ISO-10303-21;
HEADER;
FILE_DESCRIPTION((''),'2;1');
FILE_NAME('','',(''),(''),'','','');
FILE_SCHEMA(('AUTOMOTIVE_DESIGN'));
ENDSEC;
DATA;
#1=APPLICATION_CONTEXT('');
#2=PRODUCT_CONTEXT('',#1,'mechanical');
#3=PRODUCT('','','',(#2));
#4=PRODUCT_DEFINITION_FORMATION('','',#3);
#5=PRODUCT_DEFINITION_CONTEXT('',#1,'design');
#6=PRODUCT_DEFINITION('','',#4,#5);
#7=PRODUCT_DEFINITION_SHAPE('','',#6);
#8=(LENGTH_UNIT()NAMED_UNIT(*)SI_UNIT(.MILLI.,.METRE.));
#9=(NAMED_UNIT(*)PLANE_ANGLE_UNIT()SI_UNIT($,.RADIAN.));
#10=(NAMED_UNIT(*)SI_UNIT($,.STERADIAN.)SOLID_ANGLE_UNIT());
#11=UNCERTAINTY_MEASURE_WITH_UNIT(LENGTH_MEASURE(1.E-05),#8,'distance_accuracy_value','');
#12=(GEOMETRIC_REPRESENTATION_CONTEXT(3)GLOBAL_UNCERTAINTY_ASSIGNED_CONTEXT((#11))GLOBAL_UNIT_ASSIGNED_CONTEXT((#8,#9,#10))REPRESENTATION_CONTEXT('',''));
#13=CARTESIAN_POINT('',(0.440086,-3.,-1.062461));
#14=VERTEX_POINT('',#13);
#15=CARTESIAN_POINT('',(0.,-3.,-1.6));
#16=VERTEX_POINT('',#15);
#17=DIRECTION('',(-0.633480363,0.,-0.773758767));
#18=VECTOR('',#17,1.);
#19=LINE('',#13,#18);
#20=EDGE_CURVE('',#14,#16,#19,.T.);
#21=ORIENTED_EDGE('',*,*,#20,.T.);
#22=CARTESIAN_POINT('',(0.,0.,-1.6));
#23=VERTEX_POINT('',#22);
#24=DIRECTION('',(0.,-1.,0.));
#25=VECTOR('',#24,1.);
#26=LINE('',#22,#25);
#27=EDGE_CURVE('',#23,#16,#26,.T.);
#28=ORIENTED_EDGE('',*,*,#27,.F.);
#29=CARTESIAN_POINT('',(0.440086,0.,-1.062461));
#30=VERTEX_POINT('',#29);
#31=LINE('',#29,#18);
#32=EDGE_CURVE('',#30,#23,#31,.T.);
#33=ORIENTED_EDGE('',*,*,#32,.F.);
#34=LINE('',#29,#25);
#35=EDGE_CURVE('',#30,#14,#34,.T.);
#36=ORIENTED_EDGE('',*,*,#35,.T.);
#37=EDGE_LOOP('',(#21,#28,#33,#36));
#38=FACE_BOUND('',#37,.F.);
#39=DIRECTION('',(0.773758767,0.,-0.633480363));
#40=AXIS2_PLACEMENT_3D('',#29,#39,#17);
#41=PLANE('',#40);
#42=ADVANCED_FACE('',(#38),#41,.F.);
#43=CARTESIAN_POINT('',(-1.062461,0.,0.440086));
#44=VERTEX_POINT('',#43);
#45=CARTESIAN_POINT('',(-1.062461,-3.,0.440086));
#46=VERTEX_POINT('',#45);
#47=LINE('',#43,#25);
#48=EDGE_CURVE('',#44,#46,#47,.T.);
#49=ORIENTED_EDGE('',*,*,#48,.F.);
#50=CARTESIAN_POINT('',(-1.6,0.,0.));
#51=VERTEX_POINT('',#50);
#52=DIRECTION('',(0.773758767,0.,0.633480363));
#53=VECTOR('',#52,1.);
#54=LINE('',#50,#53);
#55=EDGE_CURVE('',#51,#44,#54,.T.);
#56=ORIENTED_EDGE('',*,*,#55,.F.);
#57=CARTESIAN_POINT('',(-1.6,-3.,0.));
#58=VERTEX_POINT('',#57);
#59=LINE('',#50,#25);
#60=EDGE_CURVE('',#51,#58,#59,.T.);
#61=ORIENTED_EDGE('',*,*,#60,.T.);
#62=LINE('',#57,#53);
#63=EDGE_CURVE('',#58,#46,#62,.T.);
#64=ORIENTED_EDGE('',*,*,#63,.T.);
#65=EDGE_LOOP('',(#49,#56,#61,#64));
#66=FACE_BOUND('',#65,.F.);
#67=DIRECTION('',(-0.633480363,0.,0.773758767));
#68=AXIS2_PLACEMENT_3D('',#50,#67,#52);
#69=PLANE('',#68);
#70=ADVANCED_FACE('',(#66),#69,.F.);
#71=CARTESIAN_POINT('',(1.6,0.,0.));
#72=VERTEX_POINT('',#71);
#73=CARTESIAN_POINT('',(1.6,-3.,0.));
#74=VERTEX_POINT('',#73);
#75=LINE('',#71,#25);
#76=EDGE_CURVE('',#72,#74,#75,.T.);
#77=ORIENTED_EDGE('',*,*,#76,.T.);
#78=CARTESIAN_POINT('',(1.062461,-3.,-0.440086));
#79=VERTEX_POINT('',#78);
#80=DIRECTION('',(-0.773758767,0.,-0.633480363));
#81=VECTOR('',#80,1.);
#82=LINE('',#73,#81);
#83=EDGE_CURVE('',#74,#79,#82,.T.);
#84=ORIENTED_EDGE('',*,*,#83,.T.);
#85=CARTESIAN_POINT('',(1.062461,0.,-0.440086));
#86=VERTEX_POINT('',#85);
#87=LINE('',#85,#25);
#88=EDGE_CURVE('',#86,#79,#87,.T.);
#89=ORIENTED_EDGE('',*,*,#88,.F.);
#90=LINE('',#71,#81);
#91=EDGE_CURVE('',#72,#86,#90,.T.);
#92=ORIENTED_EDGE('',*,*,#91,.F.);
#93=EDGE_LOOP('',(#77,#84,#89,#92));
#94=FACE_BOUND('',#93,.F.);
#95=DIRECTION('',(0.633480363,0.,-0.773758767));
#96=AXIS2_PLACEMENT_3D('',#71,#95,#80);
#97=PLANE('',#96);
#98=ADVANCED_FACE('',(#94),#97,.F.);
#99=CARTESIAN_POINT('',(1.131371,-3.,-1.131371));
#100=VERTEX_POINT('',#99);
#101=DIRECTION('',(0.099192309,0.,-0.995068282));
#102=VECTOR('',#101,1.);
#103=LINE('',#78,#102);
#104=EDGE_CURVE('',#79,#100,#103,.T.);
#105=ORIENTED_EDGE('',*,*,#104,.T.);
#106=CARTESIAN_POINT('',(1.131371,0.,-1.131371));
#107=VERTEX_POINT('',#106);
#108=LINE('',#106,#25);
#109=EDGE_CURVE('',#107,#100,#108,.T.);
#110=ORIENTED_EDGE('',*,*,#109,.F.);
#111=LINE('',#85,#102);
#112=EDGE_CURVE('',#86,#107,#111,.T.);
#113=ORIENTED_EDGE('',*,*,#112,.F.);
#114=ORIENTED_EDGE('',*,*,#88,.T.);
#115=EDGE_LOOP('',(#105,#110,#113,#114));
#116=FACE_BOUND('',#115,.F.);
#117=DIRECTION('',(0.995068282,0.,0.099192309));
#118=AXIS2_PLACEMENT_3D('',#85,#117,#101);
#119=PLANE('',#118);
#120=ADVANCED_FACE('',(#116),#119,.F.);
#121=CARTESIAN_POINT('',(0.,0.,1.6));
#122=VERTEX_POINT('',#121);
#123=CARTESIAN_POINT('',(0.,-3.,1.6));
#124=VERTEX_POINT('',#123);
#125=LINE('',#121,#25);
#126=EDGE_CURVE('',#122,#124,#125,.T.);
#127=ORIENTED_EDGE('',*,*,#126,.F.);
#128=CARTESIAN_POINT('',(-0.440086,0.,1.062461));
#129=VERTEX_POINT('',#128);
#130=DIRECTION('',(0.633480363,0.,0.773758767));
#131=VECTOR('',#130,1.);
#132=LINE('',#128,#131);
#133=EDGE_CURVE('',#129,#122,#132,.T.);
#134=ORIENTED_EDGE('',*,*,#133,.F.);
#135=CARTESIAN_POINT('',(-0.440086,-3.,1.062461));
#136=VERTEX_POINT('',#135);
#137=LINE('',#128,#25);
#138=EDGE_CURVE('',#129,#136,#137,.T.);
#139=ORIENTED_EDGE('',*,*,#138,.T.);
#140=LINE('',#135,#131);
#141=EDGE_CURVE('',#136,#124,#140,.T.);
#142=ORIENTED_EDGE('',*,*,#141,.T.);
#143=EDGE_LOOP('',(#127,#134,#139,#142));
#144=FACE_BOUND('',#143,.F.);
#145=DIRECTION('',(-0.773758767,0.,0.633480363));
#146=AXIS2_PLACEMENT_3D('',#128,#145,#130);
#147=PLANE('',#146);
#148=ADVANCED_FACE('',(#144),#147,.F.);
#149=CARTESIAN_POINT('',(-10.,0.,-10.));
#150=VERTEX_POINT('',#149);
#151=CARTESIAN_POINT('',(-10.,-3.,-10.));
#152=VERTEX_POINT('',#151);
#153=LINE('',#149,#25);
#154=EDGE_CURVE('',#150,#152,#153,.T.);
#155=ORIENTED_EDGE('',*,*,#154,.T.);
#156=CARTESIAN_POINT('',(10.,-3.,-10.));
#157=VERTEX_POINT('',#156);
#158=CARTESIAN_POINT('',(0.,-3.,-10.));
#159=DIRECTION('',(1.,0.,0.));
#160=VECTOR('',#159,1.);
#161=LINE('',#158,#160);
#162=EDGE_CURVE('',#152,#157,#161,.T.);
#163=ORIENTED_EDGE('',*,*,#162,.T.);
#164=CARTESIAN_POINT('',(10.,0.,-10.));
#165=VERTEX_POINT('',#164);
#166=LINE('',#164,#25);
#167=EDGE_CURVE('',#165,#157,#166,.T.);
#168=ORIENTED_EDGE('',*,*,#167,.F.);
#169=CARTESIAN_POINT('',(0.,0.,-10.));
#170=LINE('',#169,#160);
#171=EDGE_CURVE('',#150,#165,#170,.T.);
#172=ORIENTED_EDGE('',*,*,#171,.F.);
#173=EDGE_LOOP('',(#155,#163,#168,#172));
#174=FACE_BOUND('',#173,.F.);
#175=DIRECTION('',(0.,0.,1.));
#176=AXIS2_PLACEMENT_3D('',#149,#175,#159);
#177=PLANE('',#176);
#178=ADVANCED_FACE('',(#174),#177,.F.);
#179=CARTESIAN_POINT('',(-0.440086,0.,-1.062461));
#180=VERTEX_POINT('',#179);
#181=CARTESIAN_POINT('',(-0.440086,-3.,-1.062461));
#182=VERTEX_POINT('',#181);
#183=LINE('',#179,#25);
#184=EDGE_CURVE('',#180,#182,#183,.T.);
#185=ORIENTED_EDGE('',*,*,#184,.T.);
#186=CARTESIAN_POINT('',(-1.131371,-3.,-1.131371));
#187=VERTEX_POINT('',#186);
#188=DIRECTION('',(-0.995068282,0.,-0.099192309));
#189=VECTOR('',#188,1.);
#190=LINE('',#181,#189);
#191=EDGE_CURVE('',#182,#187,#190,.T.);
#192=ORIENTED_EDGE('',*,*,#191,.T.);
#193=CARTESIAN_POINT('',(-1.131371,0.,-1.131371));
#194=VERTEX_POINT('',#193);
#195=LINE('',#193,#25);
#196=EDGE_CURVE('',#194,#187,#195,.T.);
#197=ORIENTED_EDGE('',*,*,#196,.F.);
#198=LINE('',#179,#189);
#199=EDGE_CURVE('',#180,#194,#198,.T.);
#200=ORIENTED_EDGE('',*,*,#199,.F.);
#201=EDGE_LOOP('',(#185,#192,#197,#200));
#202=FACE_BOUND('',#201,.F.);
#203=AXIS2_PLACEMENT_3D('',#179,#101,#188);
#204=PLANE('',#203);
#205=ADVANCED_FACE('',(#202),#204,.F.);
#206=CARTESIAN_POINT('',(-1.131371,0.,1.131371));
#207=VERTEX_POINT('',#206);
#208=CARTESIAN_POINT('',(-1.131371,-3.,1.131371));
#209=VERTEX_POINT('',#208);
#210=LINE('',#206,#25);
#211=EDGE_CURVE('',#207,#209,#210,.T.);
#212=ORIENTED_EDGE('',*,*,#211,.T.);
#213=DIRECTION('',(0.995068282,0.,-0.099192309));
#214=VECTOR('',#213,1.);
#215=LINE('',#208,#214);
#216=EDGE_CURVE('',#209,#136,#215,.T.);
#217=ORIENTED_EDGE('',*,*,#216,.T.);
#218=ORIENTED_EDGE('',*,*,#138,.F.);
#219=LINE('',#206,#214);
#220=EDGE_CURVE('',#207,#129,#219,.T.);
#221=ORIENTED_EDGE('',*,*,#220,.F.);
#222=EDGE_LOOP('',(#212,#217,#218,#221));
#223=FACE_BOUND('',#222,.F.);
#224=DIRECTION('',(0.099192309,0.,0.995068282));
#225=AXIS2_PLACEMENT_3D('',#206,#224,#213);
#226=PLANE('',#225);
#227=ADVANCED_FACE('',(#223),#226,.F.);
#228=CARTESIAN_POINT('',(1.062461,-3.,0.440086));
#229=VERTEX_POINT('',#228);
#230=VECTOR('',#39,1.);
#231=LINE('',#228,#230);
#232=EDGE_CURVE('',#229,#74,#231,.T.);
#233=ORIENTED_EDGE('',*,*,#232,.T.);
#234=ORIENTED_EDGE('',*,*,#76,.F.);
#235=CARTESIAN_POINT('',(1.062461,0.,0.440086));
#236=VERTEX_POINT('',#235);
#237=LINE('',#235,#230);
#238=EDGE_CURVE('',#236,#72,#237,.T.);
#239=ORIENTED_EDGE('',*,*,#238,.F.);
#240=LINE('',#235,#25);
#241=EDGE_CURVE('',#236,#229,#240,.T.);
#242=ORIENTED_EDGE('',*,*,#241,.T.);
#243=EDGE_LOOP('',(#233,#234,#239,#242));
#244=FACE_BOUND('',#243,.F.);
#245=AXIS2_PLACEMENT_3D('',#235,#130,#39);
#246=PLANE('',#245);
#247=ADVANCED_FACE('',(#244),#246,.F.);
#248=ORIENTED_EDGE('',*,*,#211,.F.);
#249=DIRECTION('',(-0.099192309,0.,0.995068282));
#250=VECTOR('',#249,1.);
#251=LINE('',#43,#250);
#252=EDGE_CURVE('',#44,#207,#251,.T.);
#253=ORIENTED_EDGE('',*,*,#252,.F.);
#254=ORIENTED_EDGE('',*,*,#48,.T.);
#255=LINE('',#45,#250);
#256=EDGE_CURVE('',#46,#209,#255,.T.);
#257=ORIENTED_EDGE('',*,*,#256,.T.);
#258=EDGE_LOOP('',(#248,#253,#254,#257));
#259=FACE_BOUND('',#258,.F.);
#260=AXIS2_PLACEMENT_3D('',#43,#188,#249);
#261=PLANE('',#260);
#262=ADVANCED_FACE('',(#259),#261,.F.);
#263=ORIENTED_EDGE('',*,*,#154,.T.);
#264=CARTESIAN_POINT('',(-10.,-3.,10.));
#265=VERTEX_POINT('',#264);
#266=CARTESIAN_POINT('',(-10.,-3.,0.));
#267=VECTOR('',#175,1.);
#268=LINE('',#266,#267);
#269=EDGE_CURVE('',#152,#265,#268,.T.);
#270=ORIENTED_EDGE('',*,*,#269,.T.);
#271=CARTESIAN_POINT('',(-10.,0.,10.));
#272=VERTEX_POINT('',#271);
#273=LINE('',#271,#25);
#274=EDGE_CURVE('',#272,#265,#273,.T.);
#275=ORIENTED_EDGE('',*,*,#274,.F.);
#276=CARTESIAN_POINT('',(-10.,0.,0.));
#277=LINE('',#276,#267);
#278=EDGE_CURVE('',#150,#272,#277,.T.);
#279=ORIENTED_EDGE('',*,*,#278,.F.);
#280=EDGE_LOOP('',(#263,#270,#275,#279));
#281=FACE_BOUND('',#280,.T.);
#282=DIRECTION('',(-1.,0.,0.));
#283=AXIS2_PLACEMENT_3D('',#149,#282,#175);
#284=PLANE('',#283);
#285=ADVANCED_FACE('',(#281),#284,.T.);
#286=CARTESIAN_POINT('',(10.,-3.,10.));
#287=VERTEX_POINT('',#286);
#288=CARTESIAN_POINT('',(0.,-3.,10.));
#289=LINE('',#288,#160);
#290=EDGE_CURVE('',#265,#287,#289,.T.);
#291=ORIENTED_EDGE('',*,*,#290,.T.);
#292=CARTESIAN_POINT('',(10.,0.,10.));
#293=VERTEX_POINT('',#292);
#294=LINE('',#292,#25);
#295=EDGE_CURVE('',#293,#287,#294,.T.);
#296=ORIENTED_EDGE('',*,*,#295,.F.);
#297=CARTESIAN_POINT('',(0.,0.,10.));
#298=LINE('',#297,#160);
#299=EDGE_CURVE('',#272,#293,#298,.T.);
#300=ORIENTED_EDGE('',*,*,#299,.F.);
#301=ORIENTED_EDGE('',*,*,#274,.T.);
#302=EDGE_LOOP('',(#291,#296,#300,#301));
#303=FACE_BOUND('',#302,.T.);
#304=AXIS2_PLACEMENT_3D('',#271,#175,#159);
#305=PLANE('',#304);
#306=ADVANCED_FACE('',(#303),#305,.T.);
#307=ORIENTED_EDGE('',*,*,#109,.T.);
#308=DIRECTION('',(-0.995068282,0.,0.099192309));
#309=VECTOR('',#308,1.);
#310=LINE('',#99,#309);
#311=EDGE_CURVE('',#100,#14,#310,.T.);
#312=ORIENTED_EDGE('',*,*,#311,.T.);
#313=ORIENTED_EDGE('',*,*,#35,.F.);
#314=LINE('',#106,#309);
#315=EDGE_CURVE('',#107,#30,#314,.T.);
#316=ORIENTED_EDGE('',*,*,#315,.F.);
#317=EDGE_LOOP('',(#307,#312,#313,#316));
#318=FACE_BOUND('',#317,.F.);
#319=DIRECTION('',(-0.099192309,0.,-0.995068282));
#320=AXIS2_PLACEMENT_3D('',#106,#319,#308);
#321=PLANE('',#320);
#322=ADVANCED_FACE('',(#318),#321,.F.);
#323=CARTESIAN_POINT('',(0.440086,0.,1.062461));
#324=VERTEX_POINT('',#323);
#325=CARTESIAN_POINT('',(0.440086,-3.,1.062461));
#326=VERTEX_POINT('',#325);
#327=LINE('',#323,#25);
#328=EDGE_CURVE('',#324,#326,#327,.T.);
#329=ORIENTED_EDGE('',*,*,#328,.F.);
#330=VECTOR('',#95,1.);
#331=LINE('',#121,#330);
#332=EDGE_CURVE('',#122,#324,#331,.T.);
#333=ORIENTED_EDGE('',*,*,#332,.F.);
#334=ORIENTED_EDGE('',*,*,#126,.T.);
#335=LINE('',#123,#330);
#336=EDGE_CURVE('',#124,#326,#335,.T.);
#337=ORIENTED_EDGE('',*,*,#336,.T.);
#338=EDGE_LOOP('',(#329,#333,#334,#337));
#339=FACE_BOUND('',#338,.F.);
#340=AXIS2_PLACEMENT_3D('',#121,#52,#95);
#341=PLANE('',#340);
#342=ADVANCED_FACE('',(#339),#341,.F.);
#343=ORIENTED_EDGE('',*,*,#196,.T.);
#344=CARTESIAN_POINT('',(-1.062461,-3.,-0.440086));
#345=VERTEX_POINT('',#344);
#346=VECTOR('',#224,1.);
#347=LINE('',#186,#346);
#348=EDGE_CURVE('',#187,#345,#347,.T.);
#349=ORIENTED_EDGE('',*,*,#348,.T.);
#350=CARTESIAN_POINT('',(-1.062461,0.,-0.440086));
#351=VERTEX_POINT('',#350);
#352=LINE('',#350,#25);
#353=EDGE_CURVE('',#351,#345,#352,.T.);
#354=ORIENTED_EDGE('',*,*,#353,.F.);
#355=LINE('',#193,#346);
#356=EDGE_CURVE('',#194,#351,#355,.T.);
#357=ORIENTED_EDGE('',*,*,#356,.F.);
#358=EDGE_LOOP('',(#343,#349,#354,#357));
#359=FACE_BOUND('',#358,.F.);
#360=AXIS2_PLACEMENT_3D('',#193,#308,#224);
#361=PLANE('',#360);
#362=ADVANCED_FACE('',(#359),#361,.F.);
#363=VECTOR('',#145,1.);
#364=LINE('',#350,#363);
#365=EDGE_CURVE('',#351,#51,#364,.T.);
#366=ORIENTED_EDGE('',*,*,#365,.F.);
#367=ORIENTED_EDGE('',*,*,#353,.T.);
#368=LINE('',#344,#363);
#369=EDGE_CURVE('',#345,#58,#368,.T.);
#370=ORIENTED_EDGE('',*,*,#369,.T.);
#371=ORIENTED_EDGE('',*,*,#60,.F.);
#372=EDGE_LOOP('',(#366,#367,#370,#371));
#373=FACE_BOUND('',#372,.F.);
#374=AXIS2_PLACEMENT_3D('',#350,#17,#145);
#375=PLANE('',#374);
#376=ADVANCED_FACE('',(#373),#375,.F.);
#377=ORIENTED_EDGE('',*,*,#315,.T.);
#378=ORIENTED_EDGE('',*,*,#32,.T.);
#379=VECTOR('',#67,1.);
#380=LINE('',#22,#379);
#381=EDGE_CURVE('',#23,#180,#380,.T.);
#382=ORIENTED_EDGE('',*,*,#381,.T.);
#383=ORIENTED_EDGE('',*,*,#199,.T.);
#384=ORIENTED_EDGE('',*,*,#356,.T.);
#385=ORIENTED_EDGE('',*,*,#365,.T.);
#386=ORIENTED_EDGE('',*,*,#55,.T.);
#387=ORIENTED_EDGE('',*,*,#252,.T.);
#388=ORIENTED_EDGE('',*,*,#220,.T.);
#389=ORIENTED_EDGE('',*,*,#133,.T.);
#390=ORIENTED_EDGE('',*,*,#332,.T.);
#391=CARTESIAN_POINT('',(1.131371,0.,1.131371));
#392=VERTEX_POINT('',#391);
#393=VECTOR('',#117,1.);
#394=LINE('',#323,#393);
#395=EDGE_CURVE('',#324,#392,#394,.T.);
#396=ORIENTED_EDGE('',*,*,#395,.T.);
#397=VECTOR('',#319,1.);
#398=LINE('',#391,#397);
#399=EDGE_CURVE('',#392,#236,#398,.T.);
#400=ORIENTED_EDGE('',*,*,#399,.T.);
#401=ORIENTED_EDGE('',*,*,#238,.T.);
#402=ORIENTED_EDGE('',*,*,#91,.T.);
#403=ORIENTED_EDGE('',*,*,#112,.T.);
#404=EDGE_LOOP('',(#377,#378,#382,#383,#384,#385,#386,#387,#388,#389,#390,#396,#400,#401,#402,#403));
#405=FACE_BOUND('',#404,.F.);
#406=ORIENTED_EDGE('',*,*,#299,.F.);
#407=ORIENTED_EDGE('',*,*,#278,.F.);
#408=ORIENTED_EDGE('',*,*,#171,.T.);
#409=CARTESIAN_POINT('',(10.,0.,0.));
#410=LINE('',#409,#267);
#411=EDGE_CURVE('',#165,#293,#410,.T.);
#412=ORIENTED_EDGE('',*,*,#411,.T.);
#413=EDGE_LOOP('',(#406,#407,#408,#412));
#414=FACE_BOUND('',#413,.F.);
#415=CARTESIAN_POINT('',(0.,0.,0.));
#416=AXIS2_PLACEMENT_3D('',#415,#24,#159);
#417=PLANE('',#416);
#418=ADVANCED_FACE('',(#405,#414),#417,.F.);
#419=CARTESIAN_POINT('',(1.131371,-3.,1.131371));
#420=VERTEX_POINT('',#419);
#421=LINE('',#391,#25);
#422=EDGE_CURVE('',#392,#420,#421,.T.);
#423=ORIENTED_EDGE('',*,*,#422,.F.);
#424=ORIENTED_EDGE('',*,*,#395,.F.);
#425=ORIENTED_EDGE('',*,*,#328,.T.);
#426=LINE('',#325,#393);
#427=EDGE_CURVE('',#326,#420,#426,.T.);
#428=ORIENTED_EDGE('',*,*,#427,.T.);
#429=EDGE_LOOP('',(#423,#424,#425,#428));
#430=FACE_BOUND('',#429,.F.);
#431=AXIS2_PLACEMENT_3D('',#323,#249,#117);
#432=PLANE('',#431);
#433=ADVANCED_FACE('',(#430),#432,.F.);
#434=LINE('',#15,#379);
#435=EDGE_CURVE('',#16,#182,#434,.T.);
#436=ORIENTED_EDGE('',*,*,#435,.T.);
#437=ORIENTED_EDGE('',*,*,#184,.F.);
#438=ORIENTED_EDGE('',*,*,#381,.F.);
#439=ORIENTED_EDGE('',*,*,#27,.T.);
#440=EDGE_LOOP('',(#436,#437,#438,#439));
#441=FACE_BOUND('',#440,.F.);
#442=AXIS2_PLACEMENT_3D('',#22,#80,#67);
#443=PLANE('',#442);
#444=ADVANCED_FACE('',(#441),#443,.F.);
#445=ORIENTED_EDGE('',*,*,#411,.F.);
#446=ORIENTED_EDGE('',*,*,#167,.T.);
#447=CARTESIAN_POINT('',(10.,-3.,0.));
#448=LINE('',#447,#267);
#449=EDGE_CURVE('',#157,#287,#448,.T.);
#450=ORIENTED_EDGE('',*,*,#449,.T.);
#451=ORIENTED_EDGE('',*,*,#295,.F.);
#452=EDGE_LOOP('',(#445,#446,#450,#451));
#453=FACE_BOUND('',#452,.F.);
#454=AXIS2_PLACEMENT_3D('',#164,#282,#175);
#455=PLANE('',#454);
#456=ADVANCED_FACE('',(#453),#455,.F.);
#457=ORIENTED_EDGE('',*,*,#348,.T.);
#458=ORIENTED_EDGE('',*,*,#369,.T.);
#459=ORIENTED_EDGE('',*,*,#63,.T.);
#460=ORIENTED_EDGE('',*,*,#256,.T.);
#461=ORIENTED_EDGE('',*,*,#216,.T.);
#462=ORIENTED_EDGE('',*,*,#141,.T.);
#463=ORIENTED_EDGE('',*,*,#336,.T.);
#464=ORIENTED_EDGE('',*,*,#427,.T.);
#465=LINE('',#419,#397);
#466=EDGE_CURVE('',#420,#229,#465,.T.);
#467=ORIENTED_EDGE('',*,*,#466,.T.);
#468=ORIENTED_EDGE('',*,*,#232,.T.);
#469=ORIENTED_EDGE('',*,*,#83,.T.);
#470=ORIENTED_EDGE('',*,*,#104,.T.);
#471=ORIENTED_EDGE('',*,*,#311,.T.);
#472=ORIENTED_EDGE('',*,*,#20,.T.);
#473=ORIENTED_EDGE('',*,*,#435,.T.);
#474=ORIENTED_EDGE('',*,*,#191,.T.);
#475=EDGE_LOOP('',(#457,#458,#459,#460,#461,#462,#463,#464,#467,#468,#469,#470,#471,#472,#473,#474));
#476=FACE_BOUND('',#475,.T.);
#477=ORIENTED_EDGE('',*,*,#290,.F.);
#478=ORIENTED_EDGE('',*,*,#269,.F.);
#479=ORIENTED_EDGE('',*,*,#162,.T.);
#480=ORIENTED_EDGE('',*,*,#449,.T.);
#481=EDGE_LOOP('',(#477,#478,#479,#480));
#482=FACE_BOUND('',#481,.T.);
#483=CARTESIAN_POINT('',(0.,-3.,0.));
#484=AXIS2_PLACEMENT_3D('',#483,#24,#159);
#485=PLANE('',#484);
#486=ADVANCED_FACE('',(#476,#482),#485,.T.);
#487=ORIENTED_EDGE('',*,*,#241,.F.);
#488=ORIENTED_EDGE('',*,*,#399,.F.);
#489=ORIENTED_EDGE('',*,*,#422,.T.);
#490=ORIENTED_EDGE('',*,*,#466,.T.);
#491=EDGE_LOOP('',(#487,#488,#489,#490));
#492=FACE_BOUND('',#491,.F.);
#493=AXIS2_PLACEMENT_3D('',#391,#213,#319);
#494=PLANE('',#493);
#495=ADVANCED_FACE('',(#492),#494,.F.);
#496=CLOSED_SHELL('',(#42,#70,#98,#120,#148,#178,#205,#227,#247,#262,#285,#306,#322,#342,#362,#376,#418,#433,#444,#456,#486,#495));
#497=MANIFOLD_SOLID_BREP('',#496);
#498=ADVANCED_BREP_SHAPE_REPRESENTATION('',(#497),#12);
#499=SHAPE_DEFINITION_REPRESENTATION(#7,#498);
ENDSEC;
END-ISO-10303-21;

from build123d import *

# Parameters (mm, degrees)
F0_W     = 20
F0_H     = 20
F1_DEPTH = 3


with BuildPart() as f1:
    # F0 (on Front) → F1 (new body)
    with BuildSketch(Plane.XZ):
        Rectangle(F0_W, F0_H)
        Polygon((-1.062461, 0.440086), (-1.131371, 1.131371), (-0.440086, 1.062461), (0, 1.6), (0.440086, 1.062461), (1.131371, 1.131371), (1.062461, 0.440086), (1.6, 0), (1.062461, -0.440086), (1.131371, -1.131371), (0.440086, -1.062461), (0, -1.6), (-0.440086, -1.062461), (-1.131371, -1.131371), (-1.062461, -0.440086), (-1.6, 0), align=None, mode=Mode.SUBTRACT)
    extrude(amount=F1_DEPTH)


solid = f1.part
